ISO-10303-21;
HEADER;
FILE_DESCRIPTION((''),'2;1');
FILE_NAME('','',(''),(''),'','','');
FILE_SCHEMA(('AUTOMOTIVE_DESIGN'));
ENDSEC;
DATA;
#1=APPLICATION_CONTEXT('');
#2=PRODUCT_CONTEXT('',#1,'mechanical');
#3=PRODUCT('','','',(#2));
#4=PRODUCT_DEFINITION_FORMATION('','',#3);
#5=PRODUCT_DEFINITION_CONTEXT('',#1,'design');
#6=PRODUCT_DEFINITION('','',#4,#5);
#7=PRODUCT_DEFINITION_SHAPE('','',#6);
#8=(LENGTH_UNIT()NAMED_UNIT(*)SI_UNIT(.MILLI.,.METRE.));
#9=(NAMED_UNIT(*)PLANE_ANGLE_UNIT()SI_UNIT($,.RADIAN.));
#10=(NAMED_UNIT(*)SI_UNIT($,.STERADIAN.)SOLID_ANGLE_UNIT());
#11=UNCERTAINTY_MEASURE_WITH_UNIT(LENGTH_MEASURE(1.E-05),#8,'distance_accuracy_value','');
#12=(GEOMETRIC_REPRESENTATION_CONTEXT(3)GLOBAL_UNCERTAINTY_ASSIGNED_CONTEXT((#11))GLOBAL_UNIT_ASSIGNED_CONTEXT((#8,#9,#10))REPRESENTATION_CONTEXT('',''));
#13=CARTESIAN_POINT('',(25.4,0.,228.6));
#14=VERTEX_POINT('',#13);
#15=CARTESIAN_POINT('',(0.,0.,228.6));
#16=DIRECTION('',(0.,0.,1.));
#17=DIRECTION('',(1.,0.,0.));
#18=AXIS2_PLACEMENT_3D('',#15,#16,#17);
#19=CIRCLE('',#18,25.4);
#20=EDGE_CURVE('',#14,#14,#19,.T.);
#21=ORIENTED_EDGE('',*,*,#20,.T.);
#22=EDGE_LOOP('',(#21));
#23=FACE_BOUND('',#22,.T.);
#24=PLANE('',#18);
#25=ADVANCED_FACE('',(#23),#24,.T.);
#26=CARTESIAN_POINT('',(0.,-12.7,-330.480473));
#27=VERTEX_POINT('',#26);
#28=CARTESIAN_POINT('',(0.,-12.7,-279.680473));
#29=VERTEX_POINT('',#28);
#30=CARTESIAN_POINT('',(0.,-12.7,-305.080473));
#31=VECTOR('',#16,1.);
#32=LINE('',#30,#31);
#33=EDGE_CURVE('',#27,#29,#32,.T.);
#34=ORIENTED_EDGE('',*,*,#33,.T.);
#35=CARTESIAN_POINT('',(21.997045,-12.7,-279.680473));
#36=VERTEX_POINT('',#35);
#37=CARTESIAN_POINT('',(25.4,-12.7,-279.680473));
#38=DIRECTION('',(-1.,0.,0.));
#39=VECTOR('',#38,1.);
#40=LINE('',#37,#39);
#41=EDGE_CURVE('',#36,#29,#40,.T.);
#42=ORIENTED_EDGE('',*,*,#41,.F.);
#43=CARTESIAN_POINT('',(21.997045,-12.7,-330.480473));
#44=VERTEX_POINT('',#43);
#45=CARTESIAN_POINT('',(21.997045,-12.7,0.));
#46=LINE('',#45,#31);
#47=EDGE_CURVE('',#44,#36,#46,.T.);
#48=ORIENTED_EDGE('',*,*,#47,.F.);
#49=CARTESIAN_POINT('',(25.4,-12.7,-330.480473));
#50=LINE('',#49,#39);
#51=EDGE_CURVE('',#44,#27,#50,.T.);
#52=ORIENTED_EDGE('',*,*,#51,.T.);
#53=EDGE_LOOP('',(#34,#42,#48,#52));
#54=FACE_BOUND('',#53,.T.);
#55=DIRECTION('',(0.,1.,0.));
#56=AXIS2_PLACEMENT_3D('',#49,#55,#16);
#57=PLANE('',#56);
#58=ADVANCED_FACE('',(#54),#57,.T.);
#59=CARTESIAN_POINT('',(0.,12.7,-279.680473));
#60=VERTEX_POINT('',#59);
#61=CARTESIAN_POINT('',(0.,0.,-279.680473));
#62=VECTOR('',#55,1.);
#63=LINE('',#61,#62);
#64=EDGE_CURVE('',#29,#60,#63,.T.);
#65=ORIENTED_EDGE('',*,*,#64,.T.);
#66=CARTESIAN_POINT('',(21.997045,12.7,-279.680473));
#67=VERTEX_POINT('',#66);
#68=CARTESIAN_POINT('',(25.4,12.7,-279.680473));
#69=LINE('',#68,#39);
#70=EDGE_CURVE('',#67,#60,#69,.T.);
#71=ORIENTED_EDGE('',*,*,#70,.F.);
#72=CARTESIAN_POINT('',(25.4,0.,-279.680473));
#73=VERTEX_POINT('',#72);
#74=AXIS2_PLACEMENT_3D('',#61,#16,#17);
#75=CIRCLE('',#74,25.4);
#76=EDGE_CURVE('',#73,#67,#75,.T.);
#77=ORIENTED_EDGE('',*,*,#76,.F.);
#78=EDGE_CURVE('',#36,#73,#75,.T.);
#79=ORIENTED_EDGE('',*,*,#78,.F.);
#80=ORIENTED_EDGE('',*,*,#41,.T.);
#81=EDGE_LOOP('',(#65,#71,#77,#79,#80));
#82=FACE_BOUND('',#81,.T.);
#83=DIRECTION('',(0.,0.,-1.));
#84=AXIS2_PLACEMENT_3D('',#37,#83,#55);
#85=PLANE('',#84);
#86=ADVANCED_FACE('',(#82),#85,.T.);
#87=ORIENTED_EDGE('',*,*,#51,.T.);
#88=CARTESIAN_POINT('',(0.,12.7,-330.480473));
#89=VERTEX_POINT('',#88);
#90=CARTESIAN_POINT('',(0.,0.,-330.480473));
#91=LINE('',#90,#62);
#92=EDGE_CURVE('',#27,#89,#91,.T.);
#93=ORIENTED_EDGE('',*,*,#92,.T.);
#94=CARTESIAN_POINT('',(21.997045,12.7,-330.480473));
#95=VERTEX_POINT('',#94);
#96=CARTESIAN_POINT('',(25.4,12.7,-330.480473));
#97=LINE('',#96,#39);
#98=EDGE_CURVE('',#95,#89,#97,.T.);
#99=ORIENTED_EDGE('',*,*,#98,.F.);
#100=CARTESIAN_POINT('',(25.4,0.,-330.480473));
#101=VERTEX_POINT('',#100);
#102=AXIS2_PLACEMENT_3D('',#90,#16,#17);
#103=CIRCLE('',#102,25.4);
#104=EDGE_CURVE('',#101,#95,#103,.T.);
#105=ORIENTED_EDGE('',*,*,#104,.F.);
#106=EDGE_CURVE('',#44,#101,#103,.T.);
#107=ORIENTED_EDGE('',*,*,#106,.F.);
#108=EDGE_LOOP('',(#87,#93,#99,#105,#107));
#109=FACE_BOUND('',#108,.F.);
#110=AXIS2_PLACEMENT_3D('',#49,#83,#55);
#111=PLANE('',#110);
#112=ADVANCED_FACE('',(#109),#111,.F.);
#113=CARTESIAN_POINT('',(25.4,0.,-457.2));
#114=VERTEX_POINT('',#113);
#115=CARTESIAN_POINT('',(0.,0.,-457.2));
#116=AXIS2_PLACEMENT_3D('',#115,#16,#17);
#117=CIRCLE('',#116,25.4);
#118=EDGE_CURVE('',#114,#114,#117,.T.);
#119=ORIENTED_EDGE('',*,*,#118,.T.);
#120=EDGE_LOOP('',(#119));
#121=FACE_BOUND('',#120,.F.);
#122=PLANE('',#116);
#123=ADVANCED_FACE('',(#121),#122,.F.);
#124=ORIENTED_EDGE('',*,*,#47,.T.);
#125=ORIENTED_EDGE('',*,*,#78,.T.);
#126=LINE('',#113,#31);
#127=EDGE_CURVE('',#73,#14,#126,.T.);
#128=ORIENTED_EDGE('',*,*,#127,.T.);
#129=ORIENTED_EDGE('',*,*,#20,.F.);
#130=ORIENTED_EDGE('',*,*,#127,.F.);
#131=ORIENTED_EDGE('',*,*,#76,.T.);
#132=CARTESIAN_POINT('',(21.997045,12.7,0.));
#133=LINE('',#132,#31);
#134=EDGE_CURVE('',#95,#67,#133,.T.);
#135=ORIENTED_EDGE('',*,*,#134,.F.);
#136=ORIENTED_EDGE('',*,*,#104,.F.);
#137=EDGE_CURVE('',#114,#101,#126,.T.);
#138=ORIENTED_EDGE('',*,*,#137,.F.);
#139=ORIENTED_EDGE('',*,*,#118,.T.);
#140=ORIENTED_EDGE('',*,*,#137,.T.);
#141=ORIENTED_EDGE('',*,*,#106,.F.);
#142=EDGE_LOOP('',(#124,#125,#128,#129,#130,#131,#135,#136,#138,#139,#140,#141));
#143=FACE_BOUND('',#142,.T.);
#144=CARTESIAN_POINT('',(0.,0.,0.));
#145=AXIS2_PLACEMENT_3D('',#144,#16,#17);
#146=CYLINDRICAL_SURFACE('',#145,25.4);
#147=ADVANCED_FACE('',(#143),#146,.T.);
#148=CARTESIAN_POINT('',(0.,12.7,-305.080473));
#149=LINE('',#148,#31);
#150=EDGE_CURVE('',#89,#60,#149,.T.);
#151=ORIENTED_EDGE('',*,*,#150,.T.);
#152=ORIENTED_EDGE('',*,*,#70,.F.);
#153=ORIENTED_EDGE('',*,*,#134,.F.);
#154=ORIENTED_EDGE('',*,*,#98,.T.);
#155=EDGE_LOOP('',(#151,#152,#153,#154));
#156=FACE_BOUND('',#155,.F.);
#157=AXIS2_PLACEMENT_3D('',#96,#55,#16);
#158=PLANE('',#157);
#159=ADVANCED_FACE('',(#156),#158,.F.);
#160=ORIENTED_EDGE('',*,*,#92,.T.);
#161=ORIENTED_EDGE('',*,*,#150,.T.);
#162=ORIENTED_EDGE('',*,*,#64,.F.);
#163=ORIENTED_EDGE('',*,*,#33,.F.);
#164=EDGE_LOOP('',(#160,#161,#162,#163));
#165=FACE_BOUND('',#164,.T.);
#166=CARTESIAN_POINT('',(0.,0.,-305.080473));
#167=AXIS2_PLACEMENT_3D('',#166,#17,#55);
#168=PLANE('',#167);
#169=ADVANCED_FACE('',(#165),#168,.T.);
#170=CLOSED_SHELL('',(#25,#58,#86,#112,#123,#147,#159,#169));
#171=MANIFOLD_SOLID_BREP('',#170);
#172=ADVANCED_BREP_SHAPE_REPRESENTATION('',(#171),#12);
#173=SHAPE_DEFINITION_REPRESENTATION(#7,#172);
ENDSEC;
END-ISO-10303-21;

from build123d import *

# Parameters (mm, degrees)
F0_R     = 25.4
F1_DEPTH = 228.6
F2_DEPTH = 457.2
F5_W     = 25.4
F5_H     = 50.8
F6_DEPTH = 25.4


with BuildPart() as f1:
    # F0 (on Top) → F1 (new body)
    with BuildSketch(Plane.XY):
        Circle(F0_R)
    extrude(amount=F1_DEPTH)

    # F0 (on Top) → F2 (join)
    with BuildSketch(Plane.XY):
        Circle(F0_R)
    extrude(amount=-F2_DEPTH)

    # F5 (on face) → F6 (cut)
    with BuildSketch(Plane.YZ.offset(25.4)):
        with Locations((0, -305.080473)):
            Rectangle(F5_W, F5_H)
    extrude(amount=-F6_DEPTH, mode=Mode.SUBTRACT)


solid = f1.part
